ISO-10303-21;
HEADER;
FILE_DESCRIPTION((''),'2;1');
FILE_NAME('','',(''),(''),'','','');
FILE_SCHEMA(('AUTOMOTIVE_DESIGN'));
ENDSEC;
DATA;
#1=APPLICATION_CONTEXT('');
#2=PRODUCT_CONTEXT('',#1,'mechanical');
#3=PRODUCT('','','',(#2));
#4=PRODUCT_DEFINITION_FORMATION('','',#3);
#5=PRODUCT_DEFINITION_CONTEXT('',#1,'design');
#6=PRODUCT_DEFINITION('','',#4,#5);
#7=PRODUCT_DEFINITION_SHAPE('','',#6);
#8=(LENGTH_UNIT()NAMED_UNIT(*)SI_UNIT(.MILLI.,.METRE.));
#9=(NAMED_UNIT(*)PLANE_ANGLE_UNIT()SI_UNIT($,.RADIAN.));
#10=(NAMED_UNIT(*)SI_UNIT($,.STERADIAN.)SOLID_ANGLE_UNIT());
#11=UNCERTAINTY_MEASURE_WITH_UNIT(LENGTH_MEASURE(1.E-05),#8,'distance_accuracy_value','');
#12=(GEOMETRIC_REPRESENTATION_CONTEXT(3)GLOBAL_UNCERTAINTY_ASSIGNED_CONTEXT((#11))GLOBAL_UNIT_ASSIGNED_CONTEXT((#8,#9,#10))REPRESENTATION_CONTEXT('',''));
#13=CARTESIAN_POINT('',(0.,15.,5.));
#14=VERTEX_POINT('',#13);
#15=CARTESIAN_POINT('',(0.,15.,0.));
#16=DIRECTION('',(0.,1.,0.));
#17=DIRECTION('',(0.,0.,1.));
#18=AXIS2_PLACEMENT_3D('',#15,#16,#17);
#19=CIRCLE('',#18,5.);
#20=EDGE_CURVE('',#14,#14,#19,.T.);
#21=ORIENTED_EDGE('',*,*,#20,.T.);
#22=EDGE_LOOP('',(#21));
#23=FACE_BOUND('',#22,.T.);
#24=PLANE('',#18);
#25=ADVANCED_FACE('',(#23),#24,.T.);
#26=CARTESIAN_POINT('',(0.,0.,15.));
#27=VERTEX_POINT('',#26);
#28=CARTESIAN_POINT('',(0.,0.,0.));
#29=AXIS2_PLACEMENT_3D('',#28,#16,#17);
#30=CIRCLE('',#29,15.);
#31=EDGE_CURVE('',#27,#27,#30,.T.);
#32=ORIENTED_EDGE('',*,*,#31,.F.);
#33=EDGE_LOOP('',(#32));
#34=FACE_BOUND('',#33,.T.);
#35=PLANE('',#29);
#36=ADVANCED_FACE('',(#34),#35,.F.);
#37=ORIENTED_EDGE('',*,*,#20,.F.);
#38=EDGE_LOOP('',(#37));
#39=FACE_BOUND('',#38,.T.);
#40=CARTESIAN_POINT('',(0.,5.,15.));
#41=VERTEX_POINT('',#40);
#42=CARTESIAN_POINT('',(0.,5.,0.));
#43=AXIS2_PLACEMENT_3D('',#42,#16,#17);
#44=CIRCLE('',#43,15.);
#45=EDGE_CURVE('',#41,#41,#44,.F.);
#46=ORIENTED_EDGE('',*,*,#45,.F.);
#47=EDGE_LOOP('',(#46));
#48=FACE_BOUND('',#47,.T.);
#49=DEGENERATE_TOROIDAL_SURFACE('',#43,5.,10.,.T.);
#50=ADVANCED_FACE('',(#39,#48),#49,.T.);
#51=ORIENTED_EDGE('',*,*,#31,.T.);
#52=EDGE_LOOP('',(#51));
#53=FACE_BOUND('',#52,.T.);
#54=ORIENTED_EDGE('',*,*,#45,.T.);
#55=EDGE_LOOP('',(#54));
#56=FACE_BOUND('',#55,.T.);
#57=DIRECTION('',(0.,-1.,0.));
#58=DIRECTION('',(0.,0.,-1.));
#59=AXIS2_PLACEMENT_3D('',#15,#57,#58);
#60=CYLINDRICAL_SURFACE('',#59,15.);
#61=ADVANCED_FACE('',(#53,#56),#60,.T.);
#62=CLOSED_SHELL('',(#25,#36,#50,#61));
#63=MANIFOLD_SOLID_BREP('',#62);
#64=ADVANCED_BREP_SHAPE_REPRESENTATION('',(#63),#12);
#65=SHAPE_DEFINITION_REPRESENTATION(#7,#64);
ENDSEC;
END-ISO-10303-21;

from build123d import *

# Parameters (mm, degrees)
ESQUISSE1_R        = 15
BOSS_EXTRU_1_DEPTH = 15
CONG_1_R           = 10


with BuildPart() as part:
    # Esquisse1 → Boss.-Extru.1 (new body)
    with BuildSketch(Plane(origin=(0, 0, 0), x_dir=(1, 0, 0), z_dir=(0, 1, 0))):
        with Locations(Location((0, 0, 0), (0, 0, 270))):
            Circle(ESQUISSE1_R)
    extrude(amount=BOSS_EXTRU_1_DEPTH)

    # Congé1
    cong_1_edges = [part.edges().sort_by_distance(p)[0] for p in [
        (0, 15, -15),
    ]]
    fillet(cong_1_edges, radius=CONG_1_R)


solid = part.part
